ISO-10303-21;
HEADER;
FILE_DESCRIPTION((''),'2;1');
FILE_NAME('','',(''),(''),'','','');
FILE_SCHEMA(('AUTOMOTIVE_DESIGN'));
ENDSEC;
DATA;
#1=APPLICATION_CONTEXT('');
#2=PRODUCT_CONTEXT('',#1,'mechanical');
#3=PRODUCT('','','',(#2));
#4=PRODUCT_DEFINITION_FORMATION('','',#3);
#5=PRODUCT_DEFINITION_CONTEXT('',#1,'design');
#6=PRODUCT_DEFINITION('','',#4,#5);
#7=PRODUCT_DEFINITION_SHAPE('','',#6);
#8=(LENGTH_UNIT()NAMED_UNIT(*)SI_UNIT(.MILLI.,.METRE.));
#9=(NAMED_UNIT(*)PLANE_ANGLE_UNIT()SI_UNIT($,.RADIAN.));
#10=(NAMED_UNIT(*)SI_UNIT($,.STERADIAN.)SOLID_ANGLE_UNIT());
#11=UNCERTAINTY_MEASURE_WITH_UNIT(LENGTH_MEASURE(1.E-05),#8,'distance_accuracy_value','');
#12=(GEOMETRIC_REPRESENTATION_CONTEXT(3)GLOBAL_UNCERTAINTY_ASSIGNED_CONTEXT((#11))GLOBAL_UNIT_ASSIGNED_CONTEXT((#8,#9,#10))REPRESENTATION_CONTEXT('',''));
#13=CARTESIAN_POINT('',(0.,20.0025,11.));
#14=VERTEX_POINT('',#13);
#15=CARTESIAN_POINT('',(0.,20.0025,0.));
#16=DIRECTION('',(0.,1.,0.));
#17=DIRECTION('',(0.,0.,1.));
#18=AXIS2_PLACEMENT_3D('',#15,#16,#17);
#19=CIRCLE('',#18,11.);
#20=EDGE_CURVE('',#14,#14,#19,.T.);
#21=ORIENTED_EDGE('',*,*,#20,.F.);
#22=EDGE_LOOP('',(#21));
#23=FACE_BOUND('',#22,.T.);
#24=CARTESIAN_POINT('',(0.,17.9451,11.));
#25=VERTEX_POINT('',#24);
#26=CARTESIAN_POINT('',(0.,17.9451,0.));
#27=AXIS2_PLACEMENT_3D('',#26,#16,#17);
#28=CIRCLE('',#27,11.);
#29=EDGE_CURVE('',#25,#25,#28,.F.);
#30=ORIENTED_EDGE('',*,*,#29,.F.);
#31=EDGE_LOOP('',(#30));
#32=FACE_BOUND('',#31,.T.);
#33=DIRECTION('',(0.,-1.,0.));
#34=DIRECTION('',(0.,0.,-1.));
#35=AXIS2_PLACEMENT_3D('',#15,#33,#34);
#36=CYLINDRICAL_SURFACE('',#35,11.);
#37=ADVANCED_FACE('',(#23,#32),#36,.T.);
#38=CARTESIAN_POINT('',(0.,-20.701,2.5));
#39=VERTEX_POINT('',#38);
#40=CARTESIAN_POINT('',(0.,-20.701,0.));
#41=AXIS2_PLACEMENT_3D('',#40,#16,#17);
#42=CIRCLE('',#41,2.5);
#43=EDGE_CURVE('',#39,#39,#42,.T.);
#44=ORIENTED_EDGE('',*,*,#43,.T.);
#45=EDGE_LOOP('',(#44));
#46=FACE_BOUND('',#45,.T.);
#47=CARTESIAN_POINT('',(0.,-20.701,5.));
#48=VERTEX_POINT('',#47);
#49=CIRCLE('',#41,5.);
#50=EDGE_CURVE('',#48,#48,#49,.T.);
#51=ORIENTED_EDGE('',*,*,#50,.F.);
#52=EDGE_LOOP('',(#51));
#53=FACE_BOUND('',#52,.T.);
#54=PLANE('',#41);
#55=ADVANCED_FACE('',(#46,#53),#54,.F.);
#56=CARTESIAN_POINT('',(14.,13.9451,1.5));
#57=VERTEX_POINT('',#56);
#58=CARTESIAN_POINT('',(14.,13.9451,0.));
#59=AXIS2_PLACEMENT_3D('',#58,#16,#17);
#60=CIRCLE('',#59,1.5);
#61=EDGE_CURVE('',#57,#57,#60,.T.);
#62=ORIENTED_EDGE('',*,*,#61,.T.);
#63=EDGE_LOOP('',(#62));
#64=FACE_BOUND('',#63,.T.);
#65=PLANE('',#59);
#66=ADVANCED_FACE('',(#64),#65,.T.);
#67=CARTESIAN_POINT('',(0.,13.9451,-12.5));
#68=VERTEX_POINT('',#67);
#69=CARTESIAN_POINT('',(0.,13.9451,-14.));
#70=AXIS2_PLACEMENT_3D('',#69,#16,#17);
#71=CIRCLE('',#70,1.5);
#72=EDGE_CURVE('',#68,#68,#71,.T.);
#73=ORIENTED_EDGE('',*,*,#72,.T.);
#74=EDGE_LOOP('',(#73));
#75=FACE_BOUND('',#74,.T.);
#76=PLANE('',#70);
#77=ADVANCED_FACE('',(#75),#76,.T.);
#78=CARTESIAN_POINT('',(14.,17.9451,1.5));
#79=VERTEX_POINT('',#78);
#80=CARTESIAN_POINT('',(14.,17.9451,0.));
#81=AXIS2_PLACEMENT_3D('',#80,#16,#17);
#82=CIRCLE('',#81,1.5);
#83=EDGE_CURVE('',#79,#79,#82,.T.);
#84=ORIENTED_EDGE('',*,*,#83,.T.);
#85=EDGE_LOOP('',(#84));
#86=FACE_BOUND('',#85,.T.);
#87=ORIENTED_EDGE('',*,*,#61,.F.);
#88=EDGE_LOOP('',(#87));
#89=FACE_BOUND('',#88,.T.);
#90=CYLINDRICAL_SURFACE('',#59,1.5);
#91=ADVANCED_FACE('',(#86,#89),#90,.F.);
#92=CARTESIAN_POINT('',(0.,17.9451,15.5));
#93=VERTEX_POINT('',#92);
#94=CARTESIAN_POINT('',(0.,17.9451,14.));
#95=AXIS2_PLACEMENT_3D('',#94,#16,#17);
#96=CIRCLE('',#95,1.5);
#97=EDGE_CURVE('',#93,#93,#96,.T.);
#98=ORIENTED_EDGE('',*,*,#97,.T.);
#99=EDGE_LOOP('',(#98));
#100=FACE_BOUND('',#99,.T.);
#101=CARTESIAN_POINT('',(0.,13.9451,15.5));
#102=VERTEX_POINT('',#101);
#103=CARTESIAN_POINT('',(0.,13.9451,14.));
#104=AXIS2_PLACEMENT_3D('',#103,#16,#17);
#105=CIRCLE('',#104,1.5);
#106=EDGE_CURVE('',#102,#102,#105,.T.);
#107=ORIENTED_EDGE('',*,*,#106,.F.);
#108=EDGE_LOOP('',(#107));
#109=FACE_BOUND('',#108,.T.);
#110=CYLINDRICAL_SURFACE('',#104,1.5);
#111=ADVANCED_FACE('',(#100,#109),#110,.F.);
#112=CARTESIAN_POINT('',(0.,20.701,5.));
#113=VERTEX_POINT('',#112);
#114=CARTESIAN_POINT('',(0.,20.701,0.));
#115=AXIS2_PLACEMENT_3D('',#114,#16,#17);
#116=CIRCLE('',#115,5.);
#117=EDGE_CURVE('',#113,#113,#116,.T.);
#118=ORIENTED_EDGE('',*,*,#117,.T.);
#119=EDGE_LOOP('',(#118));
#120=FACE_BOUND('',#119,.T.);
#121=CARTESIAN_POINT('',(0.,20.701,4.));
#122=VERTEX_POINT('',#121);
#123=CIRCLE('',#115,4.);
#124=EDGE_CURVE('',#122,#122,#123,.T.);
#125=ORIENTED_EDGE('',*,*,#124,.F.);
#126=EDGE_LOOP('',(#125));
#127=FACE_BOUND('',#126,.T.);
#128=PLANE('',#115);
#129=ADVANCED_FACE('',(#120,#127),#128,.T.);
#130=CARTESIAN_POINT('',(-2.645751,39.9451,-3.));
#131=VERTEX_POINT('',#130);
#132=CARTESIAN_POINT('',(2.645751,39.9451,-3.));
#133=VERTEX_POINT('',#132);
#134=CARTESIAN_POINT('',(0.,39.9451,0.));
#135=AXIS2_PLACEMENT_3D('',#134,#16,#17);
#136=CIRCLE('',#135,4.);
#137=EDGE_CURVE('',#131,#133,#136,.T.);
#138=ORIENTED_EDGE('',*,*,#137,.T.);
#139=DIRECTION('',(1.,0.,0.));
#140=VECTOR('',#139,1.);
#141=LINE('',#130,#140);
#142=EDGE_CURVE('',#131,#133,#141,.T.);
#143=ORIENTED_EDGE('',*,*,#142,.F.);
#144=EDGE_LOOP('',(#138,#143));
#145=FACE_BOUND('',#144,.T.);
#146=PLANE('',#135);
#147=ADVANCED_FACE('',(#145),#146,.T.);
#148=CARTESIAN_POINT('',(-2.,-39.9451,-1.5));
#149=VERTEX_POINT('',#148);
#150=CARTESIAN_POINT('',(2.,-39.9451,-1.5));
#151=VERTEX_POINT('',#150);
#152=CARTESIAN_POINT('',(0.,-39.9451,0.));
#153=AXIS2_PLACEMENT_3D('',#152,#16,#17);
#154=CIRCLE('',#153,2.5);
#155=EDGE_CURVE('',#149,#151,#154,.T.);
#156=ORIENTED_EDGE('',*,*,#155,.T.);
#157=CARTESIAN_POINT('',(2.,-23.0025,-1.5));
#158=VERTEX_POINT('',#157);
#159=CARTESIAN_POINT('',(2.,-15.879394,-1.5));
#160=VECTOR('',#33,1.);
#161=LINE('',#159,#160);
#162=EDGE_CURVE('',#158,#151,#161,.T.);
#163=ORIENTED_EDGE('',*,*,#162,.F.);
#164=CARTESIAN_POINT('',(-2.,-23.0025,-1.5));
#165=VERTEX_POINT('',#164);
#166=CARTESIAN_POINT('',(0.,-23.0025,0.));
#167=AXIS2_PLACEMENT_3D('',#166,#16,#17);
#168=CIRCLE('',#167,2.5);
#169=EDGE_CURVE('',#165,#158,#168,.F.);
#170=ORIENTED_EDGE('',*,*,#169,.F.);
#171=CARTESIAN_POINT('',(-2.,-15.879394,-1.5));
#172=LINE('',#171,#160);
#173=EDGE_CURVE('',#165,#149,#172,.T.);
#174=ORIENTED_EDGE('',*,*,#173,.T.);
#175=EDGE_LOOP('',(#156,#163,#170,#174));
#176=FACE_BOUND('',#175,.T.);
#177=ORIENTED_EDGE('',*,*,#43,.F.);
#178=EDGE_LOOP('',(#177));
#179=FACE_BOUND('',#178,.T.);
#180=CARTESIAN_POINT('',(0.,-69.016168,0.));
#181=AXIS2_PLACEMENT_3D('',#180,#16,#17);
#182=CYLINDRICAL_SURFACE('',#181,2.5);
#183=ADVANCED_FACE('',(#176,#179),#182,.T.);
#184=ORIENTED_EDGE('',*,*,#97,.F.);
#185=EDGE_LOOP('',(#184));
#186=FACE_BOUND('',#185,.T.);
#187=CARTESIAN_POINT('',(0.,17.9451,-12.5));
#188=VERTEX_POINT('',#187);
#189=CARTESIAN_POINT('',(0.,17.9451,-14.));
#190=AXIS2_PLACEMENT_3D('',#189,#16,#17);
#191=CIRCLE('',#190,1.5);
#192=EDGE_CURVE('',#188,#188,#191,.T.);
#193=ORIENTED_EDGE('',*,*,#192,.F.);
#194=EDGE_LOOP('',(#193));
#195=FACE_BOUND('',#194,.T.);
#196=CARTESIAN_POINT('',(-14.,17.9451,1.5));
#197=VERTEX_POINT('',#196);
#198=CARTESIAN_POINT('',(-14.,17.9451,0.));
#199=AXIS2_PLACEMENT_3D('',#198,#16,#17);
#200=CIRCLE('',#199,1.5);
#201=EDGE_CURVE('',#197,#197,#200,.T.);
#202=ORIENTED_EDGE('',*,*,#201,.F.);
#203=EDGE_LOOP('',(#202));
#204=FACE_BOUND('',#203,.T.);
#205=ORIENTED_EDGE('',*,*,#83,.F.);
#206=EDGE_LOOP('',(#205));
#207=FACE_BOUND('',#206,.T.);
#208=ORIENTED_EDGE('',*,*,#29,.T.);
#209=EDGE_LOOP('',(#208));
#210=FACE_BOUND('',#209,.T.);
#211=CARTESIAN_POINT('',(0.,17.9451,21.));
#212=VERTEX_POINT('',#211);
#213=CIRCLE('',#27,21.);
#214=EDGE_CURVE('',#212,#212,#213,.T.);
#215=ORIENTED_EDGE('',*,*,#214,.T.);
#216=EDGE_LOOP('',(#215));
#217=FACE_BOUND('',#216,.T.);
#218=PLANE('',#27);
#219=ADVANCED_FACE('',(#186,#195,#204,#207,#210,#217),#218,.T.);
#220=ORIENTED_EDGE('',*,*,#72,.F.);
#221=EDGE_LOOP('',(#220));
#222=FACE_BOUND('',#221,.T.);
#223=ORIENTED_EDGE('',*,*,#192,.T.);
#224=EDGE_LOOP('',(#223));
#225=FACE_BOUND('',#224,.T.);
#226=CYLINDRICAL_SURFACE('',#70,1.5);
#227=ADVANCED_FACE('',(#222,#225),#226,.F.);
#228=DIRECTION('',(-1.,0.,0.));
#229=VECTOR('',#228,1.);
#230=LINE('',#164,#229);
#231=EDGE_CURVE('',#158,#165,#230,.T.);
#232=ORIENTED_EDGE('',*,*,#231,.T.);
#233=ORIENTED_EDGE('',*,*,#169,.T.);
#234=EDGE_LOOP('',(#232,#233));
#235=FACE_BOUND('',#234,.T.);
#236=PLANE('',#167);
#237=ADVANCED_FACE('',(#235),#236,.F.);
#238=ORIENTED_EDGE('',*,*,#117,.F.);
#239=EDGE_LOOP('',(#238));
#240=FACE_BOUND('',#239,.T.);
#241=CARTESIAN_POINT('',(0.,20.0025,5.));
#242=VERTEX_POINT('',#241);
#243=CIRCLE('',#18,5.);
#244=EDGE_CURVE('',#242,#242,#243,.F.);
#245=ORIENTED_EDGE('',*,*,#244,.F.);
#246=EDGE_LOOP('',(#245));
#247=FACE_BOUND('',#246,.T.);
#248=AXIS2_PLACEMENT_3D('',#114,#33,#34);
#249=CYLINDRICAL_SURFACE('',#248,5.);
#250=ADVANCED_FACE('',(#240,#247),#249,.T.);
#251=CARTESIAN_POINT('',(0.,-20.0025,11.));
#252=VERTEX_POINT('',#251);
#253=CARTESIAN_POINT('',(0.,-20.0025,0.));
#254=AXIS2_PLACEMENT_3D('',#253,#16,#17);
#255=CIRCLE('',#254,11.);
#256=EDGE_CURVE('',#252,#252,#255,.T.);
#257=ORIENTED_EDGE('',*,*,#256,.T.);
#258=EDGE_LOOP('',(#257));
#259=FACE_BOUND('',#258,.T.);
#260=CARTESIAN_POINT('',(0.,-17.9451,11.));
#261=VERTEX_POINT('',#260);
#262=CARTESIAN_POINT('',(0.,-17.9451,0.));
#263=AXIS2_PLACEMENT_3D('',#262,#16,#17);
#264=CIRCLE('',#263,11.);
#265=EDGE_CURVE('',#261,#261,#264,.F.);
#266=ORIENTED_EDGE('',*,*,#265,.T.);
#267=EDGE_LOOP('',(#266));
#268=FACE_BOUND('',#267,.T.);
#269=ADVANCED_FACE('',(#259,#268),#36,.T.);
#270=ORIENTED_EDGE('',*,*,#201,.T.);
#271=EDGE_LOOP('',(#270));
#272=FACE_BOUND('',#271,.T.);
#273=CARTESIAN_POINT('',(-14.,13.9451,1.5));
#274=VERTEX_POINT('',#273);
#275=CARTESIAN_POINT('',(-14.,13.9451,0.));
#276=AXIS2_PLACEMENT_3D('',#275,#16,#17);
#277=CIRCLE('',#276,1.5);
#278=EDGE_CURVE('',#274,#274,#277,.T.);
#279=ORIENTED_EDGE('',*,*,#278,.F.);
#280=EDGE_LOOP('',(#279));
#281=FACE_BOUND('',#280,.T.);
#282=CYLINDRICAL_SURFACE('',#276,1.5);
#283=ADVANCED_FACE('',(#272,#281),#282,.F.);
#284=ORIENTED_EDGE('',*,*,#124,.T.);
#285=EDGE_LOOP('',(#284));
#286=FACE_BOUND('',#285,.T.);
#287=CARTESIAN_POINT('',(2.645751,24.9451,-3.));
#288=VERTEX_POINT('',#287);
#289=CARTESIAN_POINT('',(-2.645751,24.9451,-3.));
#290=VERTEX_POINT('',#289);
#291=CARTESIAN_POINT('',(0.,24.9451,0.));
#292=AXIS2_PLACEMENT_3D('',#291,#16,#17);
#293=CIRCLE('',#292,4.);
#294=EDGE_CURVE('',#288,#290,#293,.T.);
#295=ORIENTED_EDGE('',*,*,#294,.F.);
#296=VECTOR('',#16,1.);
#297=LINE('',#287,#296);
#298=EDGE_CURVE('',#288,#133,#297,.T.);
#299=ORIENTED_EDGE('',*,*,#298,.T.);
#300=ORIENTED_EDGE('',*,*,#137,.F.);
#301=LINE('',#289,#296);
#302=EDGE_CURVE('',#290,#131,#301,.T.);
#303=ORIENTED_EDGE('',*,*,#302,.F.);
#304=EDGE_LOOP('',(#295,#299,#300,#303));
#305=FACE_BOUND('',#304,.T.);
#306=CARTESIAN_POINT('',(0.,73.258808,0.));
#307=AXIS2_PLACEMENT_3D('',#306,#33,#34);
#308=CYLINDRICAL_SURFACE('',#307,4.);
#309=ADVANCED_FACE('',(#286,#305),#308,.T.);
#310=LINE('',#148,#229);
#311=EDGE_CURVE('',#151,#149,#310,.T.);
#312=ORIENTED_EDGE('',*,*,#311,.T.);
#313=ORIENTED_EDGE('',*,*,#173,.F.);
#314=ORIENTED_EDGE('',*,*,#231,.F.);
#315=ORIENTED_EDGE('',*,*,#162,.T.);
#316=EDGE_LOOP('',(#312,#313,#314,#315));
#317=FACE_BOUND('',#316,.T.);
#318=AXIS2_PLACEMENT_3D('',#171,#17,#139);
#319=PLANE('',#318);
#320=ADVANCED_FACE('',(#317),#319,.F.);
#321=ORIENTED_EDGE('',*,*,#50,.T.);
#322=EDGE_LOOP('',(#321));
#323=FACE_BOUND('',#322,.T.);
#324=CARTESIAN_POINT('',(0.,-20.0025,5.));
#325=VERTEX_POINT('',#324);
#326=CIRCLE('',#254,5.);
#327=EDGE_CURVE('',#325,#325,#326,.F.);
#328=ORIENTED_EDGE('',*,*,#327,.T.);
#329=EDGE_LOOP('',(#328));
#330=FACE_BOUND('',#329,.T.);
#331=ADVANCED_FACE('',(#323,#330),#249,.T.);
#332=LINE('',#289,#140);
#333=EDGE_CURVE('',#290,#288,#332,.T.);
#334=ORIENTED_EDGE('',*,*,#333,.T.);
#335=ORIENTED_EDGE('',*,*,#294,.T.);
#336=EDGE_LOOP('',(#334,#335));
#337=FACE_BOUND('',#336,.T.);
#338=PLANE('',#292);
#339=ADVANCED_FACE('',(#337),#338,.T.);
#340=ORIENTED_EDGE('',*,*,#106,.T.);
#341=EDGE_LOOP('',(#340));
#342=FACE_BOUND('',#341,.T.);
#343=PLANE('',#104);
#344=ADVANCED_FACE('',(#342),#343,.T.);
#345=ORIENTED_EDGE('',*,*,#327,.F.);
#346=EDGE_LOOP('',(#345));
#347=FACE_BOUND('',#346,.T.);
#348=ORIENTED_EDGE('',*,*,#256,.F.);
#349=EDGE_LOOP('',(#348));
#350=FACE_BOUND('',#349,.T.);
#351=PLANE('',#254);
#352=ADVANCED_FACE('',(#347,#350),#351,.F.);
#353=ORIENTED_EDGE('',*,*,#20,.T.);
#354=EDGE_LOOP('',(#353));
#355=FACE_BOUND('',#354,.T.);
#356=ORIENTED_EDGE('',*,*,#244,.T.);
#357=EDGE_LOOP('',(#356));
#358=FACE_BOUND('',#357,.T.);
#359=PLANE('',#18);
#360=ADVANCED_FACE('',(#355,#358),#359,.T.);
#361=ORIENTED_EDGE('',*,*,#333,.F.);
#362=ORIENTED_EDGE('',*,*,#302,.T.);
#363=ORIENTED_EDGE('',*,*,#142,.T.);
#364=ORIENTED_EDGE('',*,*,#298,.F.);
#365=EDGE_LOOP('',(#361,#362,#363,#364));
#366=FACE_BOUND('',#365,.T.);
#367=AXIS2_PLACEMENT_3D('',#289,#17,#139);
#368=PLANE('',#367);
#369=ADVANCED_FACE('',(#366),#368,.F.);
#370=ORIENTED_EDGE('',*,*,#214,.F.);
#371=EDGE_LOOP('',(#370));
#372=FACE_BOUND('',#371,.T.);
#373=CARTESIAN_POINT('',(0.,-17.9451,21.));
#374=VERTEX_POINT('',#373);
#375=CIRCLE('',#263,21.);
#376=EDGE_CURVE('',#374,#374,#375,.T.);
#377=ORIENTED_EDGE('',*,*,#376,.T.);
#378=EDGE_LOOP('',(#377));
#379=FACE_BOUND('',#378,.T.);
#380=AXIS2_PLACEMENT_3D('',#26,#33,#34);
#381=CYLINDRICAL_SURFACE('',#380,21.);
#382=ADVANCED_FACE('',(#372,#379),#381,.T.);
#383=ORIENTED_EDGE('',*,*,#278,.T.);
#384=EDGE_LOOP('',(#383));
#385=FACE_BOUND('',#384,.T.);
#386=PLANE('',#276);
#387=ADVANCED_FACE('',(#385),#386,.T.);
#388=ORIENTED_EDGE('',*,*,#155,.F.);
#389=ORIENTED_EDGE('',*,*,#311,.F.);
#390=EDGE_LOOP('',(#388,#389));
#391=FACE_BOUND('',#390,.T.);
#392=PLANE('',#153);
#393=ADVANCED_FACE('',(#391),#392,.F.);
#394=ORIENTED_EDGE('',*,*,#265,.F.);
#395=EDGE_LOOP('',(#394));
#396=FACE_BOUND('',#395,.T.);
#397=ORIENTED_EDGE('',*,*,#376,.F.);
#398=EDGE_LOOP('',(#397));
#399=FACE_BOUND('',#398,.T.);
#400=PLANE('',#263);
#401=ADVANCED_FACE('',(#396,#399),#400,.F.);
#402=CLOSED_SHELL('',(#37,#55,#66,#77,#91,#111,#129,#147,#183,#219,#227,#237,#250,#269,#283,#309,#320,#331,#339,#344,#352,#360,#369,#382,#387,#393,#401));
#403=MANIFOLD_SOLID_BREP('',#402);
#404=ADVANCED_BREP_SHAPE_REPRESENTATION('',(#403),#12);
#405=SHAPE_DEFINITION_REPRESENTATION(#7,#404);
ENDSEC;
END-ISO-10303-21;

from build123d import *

# Parameters (mm, degrees)
SKETCH1_R           = 21
BOSS_EXTRUDE1_DEPTH = 17.9451
BOSS_EXTRUDE2_START = -17.9451
SKETCH2_R           = 11
BOSS_EXTRUDE2_DEPTH = 20.0025
SKETCH3_R           = 4
BOSS_EXTRUDE4_DEPTH = 19.9426
CUT_EXTRUDE1_DEPTH  = 15
SKETCH5_R           = 1.5
CUT_EXTRUDE2_DEPTH  = 4
SKETCH6_R           = 2.5
BOSS_EXTRUDE5_DEPTH = 19.9426
CUT_EXTRUDE3_DEPTH  = 16.9426
SKETCH9_R           = 5
BOSS_EXTRUDE6_DEPTH = 20.701


with BuildPart() as part:
    # Sketch1 → Boss-Extrude1 (new body, symmetric)
    with BuildSketch(Plane(origin=(0, 0, 0), x_dir=(1, 0, 0), z_dir=(0, 1, 0))):
        Circle(SKETCH1_R)
    extrude(amount=BOSS_EXTRUDE1_DEPTH, both=True)

    # Sketch2 → Boss-Extrude2 (add, symmetric)
    with BuildSketch(Plane(origin=(0, 17.9451, 0), x_dir=(1, 0, 0), z_dir=(0, 1, 0)).offset(BOSS_EXTRUDE2_START)):
        Circle(SKETCH2_R)
    extrude(amount=BOSS_EXTRUDE2_DEPTH, both=True)

    # Sketch3 → Boss-Extrude4 (add)
    with BuildSketch(Plane(origin=(0, 20.0025, 0), x_dir=(1, 0, 0), z_dir=(0, 1, 0))):
        Circle(SKETCH3_R)
    extrude(amount=BOSS_EXTRUDE4_DEPTH)

    # Sketch4 → Cut-Extrude1 (cut)
    with BuildSketch(Plane(origin=(0, 39.9451, 0), x_dir=(1, 0, 0), z_dir=(0, 1, 0))):
        with BuildLine():
            Line((-2.645751311, 3), (2.645751311, 3))
            ThreePointArc((2.645751311, 3), (0, 4), (-2.645751311, 3))
        make_face()
    extrude(amount=-CUT_EXTRUDE1_DEPTH, mode=Mode.SUBTRACT)

    # Sketch5 → Cut-Extrude2 (cut)
    with BuildSketch(Plane(origin=(0, 17.9451, 0), x_dir=(1, 0, 0), z_dir=(0, 1, 0))):
        with Locations((0, 14)):
            Circle(SKETCH5_R)
        with Locations((-14, 0)):
            Circle(SKETCH5_R)
        with Locations((0, -14)):
            Circle(SKETCH5_R)
        with Locations((14, 0)):
            Circle(SKETCH5_R)
    extrude(amount=-CUT_EXTRUDE2_DEPTH, mode=Mode.SUBTRACT)

    # Sketch6 → Boss-Extrude5 (add)
    with BuildSketch(Plane.XZ.offset(20.0025)):
        Circle(SKETCH6_R)
    extrude(amount=BOSS_EXTRUDE5_DEPTH)

    # Sketch7 → Cut-Extrude3 (cut)
    with BuildSketch(Plane.XZ.offset(39.9451)):
        with BuildLine():
            Line((-2, -1.5), (2, -1.5))
            ThreePointArc((2, -1.5), (0, -2.5), (-2, -1.5))
        make_face()
    extrude(amount=-CUT_EXTRUDE3_DEPTH, mode=Mode.SUBTRACT)

    # Sketch9 → Boss-Extrude6 (add, symmetric)
    with BuildSketch(Plane(origin=(0, 0, 0), x_dir=(1, 0, 0), z_dir=(0, 1, 0))):
        Circle(SKETCH9_R)
    extrude(amount=BOSS_EXTRUDE6_DEPTH, both=True)


solid = part.part
